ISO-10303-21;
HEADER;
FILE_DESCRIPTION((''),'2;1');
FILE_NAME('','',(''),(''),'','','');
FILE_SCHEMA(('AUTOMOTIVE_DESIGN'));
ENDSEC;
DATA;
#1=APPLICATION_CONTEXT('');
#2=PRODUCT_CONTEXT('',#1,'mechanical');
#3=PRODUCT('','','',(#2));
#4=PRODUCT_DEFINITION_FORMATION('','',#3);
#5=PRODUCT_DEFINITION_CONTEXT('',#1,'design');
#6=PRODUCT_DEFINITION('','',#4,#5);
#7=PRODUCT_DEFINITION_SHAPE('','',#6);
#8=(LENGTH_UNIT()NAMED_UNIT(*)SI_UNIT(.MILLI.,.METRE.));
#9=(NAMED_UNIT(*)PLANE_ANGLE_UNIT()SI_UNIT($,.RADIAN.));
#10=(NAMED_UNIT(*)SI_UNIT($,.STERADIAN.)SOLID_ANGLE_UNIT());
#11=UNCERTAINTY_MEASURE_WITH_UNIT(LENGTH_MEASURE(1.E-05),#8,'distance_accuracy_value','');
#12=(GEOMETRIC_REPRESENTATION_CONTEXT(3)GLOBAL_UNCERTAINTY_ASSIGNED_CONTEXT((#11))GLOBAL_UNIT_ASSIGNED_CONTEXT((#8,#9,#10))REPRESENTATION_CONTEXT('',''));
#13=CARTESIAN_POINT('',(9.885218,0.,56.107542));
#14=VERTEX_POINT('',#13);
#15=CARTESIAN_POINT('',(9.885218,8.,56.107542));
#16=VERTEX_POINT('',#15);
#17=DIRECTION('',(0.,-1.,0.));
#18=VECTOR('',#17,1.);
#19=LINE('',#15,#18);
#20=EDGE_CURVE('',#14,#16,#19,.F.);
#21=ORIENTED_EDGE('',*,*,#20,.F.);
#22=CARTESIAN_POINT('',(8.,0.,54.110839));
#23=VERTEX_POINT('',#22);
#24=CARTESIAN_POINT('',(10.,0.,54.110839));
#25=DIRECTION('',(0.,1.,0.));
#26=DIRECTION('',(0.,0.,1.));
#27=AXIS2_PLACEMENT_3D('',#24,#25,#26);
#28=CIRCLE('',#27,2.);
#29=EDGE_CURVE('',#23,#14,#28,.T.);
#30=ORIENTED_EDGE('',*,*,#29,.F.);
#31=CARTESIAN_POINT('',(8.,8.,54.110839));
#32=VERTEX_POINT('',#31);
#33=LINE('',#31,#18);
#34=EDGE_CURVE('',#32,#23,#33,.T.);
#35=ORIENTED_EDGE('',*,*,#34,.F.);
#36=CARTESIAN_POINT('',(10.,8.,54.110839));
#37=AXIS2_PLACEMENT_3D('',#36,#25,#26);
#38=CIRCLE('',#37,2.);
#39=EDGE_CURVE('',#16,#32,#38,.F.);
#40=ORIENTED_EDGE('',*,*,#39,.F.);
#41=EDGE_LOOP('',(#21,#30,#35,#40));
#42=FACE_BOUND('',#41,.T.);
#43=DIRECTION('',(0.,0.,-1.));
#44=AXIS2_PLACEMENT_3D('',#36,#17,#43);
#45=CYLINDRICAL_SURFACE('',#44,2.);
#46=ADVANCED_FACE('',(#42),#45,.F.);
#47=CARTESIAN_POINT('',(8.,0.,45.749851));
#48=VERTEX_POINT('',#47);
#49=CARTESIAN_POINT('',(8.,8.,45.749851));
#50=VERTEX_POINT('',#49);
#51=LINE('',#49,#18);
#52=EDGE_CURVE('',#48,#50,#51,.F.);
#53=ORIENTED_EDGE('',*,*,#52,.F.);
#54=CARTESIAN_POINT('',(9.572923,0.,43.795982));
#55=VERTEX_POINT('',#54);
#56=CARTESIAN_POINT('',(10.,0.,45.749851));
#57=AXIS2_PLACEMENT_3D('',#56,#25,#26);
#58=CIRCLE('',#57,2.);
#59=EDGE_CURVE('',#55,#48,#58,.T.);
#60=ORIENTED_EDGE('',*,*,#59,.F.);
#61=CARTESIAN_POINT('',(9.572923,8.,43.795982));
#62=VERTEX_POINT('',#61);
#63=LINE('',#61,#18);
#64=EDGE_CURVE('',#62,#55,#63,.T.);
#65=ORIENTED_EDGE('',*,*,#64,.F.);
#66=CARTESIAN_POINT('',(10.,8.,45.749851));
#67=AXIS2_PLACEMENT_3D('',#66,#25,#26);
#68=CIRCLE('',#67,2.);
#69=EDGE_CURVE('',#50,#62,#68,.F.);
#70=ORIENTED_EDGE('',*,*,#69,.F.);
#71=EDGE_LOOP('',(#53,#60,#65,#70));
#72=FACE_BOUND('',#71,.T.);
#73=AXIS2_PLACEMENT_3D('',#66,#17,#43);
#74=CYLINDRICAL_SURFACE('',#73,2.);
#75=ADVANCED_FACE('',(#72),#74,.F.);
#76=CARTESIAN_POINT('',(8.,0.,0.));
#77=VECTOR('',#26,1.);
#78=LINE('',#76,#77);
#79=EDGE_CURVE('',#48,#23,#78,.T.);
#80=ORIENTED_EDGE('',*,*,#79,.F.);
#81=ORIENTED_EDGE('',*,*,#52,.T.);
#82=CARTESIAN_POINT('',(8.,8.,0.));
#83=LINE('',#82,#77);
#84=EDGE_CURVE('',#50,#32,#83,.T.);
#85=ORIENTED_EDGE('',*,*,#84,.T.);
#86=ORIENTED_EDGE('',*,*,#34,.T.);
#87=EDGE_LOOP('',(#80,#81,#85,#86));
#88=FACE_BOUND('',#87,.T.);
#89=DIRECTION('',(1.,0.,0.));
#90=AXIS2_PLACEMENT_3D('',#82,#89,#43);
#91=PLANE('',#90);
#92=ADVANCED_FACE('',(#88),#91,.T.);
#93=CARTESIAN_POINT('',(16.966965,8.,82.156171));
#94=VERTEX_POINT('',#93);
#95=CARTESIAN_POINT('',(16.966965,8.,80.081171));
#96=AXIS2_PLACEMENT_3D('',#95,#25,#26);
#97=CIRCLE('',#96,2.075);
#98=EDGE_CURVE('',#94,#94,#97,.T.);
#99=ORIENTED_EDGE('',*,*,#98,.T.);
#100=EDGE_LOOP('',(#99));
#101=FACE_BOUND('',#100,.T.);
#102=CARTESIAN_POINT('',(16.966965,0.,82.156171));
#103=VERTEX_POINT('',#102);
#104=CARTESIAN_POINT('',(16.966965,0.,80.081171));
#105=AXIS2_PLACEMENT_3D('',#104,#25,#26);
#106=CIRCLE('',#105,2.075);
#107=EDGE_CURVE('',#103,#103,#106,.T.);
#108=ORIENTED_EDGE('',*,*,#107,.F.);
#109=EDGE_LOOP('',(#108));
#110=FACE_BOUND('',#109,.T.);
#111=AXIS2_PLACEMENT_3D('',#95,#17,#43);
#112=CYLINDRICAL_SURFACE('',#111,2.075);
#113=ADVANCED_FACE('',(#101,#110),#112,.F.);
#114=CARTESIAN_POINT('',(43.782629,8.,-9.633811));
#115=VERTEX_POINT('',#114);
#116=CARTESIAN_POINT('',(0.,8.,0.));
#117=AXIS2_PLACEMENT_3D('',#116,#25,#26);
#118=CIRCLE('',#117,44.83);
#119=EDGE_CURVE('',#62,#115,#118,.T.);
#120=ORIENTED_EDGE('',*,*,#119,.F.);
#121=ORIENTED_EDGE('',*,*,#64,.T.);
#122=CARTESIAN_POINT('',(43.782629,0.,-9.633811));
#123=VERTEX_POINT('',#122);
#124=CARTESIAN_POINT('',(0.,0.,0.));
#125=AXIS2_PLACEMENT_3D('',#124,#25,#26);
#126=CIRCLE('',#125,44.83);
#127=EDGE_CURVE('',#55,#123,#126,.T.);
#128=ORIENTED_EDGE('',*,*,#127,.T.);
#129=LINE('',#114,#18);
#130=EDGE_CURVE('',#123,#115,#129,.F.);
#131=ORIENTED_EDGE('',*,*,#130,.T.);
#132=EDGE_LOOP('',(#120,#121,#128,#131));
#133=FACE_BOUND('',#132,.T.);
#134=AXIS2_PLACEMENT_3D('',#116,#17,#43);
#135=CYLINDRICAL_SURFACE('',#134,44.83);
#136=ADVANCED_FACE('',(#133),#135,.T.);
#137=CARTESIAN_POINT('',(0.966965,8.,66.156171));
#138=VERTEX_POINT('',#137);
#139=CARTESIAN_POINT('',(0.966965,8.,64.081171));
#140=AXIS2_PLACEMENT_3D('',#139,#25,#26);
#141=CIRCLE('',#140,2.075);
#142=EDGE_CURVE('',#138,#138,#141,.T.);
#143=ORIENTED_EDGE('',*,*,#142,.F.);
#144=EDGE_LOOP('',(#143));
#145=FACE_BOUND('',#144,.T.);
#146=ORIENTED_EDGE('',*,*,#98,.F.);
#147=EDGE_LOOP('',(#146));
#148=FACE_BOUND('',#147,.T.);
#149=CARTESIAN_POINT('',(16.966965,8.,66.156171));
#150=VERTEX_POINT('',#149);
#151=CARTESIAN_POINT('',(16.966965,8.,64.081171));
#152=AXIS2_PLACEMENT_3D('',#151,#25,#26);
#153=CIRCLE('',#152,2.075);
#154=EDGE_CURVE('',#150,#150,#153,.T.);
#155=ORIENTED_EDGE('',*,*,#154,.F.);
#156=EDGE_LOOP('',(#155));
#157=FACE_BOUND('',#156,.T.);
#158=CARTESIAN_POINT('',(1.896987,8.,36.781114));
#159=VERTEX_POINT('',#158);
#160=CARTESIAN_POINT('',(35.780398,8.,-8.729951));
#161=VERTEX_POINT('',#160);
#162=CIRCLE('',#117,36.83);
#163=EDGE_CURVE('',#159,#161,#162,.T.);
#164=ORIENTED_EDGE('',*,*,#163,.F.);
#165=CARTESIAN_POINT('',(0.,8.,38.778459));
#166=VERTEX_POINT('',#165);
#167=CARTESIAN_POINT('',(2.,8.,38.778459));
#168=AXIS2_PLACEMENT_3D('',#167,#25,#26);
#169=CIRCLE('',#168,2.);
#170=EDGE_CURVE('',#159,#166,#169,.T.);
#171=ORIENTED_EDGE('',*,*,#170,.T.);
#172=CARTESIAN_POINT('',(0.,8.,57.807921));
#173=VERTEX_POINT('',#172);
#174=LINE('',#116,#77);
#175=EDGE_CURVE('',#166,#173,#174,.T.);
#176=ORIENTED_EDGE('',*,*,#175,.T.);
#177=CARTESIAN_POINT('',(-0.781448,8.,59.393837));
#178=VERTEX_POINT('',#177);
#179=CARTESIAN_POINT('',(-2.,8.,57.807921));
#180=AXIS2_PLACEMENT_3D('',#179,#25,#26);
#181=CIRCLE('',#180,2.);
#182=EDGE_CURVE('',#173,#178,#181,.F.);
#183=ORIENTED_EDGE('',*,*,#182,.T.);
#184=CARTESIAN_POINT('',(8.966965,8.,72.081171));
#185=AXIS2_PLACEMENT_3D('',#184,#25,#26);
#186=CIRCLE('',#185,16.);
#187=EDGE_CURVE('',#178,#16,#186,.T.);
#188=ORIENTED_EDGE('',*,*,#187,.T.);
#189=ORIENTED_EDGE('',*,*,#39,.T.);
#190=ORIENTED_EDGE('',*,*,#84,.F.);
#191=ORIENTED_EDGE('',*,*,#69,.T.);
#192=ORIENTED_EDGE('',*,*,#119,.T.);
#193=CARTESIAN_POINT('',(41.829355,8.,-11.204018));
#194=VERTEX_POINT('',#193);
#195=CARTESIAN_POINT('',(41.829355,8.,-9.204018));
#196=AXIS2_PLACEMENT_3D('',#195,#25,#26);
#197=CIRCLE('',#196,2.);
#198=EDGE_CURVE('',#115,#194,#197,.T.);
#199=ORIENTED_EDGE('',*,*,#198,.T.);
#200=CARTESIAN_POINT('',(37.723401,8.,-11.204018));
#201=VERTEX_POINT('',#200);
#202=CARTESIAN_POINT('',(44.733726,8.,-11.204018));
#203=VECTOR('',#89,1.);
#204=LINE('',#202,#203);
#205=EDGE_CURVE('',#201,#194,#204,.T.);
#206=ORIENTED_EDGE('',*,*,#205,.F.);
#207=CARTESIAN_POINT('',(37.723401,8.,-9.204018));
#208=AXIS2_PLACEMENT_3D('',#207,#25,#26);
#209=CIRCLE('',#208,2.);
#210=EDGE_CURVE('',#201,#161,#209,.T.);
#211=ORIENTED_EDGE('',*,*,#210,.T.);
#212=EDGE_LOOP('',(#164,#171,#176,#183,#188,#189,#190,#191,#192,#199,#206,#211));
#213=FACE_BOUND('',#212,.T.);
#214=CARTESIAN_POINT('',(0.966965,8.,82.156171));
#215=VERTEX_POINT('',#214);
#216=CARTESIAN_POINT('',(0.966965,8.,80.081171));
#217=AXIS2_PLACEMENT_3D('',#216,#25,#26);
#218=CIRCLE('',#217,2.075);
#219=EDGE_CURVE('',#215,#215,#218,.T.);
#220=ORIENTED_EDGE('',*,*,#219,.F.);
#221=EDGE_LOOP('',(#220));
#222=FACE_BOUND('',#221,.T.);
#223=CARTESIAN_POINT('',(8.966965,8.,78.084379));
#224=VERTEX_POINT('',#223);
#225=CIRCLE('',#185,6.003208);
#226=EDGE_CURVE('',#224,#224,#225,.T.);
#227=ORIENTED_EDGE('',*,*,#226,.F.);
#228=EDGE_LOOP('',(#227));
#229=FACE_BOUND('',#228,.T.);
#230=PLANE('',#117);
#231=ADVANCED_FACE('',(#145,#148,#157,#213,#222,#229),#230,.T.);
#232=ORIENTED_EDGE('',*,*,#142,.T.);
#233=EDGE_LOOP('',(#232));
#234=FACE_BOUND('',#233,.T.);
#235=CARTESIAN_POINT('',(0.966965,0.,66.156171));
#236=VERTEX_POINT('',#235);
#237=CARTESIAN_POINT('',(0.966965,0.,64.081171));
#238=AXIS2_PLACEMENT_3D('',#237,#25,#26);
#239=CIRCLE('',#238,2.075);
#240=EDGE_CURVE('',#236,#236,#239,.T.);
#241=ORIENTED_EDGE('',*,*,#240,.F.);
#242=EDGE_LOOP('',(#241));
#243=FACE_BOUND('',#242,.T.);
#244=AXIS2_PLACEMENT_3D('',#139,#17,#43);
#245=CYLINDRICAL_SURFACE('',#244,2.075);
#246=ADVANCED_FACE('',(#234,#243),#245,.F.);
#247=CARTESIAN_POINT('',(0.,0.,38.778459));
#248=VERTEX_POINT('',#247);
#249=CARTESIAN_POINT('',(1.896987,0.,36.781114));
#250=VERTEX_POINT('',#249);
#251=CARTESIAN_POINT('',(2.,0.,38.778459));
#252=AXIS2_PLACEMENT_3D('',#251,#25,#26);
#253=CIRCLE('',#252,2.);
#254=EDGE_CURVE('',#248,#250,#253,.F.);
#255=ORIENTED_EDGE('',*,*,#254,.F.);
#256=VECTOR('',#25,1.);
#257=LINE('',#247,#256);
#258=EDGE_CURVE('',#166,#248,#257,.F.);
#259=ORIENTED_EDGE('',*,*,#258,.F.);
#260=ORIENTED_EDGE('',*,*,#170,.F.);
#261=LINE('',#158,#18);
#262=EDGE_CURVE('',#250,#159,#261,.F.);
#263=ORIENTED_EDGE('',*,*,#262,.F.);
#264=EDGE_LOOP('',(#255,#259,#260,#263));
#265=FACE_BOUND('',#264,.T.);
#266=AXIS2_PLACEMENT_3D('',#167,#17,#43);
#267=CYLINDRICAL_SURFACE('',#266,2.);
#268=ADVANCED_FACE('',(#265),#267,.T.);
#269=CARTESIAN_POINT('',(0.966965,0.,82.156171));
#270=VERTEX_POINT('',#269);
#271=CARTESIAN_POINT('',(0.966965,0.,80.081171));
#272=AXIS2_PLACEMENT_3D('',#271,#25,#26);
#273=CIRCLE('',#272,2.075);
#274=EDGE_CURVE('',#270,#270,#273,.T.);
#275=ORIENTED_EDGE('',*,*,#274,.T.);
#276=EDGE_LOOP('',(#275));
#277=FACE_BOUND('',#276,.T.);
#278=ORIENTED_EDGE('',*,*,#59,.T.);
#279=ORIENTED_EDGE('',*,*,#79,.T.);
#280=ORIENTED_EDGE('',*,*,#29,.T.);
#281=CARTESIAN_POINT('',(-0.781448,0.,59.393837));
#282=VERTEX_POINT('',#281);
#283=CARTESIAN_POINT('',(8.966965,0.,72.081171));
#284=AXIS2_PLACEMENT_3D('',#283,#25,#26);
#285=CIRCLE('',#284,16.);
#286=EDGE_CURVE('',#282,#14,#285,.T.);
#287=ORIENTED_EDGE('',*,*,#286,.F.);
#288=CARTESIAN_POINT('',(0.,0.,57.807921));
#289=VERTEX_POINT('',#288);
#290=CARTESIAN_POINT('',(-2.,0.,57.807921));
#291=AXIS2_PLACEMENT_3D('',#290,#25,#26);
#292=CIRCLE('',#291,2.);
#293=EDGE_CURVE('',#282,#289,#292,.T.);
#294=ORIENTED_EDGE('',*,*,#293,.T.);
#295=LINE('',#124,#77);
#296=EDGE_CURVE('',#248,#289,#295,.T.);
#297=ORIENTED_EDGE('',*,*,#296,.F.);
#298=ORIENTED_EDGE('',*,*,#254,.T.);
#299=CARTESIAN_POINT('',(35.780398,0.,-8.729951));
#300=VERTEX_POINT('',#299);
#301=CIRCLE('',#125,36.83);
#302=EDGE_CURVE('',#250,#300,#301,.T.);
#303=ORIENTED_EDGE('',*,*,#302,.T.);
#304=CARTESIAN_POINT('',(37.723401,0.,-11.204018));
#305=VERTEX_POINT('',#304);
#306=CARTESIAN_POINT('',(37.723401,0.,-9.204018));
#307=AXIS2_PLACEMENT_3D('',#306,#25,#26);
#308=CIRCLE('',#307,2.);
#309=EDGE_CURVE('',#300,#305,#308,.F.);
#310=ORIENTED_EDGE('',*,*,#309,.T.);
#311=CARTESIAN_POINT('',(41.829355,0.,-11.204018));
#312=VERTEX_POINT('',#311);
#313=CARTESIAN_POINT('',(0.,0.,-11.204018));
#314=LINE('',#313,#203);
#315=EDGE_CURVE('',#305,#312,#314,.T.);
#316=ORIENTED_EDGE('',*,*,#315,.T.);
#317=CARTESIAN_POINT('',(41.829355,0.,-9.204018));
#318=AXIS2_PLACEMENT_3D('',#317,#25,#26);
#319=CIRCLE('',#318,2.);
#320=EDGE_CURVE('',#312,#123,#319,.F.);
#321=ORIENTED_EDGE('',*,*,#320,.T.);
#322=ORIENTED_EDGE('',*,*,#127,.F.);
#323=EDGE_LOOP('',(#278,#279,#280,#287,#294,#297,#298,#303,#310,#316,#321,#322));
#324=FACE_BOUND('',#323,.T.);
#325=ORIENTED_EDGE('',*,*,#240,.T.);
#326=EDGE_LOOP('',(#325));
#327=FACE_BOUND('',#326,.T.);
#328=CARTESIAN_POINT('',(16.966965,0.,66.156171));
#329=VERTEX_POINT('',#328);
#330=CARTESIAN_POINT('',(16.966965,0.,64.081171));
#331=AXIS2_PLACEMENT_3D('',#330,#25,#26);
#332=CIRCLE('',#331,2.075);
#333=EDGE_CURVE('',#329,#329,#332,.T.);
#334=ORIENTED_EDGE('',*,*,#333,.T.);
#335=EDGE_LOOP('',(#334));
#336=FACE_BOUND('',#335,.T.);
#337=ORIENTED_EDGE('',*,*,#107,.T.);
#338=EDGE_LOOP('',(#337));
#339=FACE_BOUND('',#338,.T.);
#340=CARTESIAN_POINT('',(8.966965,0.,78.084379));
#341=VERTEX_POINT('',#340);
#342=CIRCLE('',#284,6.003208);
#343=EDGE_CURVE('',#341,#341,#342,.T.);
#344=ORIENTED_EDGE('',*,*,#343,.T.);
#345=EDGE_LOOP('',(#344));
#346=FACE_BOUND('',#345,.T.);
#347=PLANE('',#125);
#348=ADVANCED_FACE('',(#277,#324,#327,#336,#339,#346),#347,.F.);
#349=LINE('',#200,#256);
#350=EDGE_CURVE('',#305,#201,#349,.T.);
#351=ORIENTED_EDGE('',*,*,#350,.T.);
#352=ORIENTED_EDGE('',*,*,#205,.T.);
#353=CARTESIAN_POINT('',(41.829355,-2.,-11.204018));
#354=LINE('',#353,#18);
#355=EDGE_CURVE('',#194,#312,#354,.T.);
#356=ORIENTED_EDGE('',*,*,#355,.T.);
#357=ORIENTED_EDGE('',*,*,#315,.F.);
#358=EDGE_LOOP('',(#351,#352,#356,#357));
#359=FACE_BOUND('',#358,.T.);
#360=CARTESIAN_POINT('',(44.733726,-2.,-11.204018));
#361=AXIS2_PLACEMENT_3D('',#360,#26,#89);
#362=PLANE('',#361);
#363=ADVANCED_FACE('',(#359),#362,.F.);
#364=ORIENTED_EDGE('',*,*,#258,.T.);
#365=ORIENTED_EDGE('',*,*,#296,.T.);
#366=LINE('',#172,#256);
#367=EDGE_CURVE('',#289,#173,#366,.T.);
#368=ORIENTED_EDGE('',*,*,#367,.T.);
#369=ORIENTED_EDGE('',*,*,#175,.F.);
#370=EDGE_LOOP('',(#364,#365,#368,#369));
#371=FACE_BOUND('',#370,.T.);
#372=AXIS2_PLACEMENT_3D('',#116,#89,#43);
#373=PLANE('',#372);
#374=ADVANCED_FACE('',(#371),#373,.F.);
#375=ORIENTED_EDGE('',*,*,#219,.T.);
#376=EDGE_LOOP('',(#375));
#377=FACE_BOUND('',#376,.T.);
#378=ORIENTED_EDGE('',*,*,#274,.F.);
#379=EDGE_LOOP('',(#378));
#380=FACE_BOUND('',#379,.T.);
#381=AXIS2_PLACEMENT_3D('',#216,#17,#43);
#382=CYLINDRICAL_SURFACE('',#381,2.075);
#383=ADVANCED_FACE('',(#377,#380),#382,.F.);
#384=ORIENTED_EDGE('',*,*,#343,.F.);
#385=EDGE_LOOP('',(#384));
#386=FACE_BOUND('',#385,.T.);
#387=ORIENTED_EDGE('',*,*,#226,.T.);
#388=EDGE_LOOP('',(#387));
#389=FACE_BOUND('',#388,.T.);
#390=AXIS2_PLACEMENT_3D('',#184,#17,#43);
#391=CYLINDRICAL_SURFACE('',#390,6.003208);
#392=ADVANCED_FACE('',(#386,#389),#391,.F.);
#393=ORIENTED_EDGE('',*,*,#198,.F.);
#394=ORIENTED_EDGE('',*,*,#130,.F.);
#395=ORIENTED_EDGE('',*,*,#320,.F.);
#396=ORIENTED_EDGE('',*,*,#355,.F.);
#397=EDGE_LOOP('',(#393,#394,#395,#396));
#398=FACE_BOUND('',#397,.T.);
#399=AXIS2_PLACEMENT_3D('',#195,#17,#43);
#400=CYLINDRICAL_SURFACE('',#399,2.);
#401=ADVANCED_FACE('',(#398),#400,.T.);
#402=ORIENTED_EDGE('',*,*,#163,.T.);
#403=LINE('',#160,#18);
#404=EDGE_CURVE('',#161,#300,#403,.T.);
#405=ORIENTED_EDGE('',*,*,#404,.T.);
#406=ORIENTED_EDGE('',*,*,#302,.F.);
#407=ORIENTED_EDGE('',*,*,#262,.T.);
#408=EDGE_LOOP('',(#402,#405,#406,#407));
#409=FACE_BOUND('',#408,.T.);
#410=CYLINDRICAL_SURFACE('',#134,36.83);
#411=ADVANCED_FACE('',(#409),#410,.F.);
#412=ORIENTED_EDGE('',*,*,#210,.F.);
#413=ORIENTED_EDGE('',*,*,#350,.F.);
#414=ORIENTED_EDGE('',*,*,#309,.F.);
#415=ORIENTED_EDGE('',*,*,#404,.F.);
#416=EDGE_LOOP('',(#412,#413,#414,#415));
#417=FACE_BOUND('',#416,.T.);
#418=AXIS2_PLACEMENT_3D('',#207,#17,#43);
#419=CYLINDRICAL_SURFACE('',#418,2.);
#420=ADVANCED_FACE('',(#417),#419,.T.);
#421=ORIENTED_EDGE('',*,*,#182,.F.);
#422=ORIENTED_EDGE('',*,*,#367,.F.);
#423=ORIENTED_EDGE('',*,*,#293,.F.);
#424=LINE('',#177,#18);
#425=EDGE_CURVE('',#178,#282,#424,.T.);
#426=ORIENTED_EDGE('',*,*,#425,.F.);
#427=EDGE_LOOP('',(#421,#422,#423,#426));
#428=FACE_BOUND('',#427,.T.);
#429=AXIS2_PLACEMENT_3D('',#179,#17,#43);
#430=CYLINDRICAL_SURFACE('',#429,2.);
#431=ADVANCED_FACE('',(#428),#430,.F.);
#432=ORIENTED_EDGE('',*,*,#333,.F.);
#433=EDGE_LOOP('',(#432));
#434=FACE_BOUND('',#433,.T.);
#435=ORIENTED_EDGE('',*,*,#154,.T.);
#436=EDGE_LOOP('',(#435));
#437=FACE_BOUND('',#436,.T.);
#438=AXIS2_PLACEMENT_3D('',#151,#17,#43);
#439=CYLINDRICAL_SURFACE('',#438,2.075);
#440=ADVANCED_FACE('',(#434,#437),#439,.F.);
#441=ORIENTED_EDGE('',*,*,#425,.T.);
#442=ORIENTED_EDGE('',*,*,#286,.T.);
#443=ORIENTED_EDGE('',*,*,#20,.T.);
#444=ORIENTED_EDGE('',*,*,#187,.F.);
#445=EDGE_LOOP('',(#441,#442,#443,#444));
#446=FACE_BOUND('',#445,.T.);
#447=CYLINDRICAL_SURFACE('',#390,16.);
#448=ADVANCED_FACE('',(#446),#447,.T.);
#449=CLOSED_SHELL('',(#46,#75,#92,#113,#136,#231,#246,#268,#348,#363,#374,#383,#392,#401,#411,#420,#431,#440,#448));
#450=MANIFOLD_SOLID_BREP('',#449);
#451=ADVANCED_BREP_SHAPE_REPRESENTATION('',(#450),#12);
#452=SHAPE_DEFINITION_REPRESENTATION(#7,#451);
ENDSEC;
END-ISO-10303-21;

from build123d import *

# Parameters (mm, degrees)
SKETCH1_R           = 2.075
SKETCH1_R_2         = 6.003208263
BOSS_EXTRUDE2_DEPTH = 8
FILLET1_R           = 2
CUT_EXTRUDE1_DEPTH  = 10
FILLET2_R           = 2
CUT_EXTRUDE2_DEPTH  = 10
FILLET3_R           = 2


with BuildPart() as part:
    # Sketch1 → Boss-Extrude2 (new body)
    with BuildSketch(Plane(origin=(0, 0, 0), x_dir=(1, 0, 0), z_dir=(0, 1, 0))):
        with BuildLine():
            Line((0, 44.83), (0, 36.83))
            ThreePointArc((0, 36.83), (36.83, 0), (0, -36.83))
            Line((0, -36.83), (0, -46.83))
            Line((0, -46.83), (0, -58.83))
            ThreePointArc((0, -58.83), (14.116701064, -87.229775601), (8, -56.110417137))
            Line((8, -56.110417137), (8, -44.110417137))
            ThreePointArc((8, -44.110417137), (44.649741882, 4.016148637), (0, 44.83))
        make_face()
        with Locations(Location((0.96696537, -64.081170969, 0), (0, 0, 270))):
            Circle(SKETCH1_R, mode=Mode.SUBTRACT)
        with Locations(Location((16.96696537, -64.081170969, 0), (0, 0, 270))):
            Circle(SKETCH1_R, mode=Mode.SUBTRACT)
        with Locations(Location((16.96696537, -80.081170969, 0), (0, 0, 270))):
            Circle(SKETCH1_R, mode=Mode.SUBTRACT)
        with Locations(Location((0.96696537, -80.081170969, 0), (0, 0, 270))):
            Circle(SKETCH1_R, mode=Mode.SUBTRACT)
        with Locations(Location((8.96696537, -72.081170969, 0), (0, 0, 270))):
            Circle(SKETCH1_R_2, mode=Mode.SUBTRACT)
    extrude(amount=BOSS_EXTRUDE2_DEPTH)

    # Fillet1
    fillet1_edges = [part.edges().sort_by_distance(p)[0] for p in [
        (0, 4, 58.83),
        (0, 4, 36.83),
        (0, 4, -36.83),
        (0, 4, -44.83),
        (8, 4, 44.110417137),
        (8, 4, 56.110417137),
    ]]
    fillet(fillet1_edges, radius=FILLET1_R)

    # Sketch2 → Cut-Extrude1 (cut)
    with BuildSketch(Plane(origin=(0, 8, 0), x_dir=(1, 0, 0), z_dir=(0, 1, 0))):
        with BuildLine():
            Line((41.799027506, 16.204018007), (33.073837099, 16.204018007))
            ThreePointArc((33.073837099, 16.204018007), (20.287775905, 30.738494576), (1.896986866, 36.781113915))
            ThreePointArc((1.896986866, 36.781113915), (0.549823068, 37.401147764), (0, 38.778459227))
            Line((0, 38.778459227), (0, 42.783278276))
            Line((0, 42.783278276), (0, 44.783278276))
            Line((0, 44.783278276), (-0.257809332, 46.655742188))
            Line((-0.257809332, 46.655742188), (2.752058537, 46.655742188))
            Line((2.752058537, 46.655742188), (2.752058537, 44.782949944))
            ThreePointArc((2.752058537, 44.782949944), (26.871190964, 36.772449298), (41.799027506, 16.204018007))
        make_face()
    extrude(amount=-CUT_EXTRUDE1_DEPTH, mode=Mode.SUBTRACT)

    # Fillet2
    fillet2_edges = [part.edges().sort_by_distance(p)[0] for p in [
        (41.799027506, 4, -16.204018007),
        (33.073837099, 4, -16.204018007),
    ]]
    fillet(fillet2_edges, radius=FILLET2_R)

    # Sketch3 → Cut-Extrude2 (cut)
    with BuildSketch(Plane(origin=(0, 8, 0), x_dir=(1, 0, 0), z_dir=(0, 1, 0))):
        Polygon((34.701551804, 11.204018007), (33.222316064, 16.570796176), (43.892135876, 17.266509565), (44.733726157, 11.204018007), align=None)
    extrude(amount=-CUT_EXTRUDE2_DEPTH, mode=Mode.SUBTRACT)

    # Fillet3
    fillet3_edges = [part.edges().sort_by_distance(p)[0] for p in [
        (43.40735975, 4, -11.204018007),
        (35.084453544, 4, -11.204018007),
    ]]
    fillet(fillet3_edges, radius=FILLET3_R)


solid = part.part
